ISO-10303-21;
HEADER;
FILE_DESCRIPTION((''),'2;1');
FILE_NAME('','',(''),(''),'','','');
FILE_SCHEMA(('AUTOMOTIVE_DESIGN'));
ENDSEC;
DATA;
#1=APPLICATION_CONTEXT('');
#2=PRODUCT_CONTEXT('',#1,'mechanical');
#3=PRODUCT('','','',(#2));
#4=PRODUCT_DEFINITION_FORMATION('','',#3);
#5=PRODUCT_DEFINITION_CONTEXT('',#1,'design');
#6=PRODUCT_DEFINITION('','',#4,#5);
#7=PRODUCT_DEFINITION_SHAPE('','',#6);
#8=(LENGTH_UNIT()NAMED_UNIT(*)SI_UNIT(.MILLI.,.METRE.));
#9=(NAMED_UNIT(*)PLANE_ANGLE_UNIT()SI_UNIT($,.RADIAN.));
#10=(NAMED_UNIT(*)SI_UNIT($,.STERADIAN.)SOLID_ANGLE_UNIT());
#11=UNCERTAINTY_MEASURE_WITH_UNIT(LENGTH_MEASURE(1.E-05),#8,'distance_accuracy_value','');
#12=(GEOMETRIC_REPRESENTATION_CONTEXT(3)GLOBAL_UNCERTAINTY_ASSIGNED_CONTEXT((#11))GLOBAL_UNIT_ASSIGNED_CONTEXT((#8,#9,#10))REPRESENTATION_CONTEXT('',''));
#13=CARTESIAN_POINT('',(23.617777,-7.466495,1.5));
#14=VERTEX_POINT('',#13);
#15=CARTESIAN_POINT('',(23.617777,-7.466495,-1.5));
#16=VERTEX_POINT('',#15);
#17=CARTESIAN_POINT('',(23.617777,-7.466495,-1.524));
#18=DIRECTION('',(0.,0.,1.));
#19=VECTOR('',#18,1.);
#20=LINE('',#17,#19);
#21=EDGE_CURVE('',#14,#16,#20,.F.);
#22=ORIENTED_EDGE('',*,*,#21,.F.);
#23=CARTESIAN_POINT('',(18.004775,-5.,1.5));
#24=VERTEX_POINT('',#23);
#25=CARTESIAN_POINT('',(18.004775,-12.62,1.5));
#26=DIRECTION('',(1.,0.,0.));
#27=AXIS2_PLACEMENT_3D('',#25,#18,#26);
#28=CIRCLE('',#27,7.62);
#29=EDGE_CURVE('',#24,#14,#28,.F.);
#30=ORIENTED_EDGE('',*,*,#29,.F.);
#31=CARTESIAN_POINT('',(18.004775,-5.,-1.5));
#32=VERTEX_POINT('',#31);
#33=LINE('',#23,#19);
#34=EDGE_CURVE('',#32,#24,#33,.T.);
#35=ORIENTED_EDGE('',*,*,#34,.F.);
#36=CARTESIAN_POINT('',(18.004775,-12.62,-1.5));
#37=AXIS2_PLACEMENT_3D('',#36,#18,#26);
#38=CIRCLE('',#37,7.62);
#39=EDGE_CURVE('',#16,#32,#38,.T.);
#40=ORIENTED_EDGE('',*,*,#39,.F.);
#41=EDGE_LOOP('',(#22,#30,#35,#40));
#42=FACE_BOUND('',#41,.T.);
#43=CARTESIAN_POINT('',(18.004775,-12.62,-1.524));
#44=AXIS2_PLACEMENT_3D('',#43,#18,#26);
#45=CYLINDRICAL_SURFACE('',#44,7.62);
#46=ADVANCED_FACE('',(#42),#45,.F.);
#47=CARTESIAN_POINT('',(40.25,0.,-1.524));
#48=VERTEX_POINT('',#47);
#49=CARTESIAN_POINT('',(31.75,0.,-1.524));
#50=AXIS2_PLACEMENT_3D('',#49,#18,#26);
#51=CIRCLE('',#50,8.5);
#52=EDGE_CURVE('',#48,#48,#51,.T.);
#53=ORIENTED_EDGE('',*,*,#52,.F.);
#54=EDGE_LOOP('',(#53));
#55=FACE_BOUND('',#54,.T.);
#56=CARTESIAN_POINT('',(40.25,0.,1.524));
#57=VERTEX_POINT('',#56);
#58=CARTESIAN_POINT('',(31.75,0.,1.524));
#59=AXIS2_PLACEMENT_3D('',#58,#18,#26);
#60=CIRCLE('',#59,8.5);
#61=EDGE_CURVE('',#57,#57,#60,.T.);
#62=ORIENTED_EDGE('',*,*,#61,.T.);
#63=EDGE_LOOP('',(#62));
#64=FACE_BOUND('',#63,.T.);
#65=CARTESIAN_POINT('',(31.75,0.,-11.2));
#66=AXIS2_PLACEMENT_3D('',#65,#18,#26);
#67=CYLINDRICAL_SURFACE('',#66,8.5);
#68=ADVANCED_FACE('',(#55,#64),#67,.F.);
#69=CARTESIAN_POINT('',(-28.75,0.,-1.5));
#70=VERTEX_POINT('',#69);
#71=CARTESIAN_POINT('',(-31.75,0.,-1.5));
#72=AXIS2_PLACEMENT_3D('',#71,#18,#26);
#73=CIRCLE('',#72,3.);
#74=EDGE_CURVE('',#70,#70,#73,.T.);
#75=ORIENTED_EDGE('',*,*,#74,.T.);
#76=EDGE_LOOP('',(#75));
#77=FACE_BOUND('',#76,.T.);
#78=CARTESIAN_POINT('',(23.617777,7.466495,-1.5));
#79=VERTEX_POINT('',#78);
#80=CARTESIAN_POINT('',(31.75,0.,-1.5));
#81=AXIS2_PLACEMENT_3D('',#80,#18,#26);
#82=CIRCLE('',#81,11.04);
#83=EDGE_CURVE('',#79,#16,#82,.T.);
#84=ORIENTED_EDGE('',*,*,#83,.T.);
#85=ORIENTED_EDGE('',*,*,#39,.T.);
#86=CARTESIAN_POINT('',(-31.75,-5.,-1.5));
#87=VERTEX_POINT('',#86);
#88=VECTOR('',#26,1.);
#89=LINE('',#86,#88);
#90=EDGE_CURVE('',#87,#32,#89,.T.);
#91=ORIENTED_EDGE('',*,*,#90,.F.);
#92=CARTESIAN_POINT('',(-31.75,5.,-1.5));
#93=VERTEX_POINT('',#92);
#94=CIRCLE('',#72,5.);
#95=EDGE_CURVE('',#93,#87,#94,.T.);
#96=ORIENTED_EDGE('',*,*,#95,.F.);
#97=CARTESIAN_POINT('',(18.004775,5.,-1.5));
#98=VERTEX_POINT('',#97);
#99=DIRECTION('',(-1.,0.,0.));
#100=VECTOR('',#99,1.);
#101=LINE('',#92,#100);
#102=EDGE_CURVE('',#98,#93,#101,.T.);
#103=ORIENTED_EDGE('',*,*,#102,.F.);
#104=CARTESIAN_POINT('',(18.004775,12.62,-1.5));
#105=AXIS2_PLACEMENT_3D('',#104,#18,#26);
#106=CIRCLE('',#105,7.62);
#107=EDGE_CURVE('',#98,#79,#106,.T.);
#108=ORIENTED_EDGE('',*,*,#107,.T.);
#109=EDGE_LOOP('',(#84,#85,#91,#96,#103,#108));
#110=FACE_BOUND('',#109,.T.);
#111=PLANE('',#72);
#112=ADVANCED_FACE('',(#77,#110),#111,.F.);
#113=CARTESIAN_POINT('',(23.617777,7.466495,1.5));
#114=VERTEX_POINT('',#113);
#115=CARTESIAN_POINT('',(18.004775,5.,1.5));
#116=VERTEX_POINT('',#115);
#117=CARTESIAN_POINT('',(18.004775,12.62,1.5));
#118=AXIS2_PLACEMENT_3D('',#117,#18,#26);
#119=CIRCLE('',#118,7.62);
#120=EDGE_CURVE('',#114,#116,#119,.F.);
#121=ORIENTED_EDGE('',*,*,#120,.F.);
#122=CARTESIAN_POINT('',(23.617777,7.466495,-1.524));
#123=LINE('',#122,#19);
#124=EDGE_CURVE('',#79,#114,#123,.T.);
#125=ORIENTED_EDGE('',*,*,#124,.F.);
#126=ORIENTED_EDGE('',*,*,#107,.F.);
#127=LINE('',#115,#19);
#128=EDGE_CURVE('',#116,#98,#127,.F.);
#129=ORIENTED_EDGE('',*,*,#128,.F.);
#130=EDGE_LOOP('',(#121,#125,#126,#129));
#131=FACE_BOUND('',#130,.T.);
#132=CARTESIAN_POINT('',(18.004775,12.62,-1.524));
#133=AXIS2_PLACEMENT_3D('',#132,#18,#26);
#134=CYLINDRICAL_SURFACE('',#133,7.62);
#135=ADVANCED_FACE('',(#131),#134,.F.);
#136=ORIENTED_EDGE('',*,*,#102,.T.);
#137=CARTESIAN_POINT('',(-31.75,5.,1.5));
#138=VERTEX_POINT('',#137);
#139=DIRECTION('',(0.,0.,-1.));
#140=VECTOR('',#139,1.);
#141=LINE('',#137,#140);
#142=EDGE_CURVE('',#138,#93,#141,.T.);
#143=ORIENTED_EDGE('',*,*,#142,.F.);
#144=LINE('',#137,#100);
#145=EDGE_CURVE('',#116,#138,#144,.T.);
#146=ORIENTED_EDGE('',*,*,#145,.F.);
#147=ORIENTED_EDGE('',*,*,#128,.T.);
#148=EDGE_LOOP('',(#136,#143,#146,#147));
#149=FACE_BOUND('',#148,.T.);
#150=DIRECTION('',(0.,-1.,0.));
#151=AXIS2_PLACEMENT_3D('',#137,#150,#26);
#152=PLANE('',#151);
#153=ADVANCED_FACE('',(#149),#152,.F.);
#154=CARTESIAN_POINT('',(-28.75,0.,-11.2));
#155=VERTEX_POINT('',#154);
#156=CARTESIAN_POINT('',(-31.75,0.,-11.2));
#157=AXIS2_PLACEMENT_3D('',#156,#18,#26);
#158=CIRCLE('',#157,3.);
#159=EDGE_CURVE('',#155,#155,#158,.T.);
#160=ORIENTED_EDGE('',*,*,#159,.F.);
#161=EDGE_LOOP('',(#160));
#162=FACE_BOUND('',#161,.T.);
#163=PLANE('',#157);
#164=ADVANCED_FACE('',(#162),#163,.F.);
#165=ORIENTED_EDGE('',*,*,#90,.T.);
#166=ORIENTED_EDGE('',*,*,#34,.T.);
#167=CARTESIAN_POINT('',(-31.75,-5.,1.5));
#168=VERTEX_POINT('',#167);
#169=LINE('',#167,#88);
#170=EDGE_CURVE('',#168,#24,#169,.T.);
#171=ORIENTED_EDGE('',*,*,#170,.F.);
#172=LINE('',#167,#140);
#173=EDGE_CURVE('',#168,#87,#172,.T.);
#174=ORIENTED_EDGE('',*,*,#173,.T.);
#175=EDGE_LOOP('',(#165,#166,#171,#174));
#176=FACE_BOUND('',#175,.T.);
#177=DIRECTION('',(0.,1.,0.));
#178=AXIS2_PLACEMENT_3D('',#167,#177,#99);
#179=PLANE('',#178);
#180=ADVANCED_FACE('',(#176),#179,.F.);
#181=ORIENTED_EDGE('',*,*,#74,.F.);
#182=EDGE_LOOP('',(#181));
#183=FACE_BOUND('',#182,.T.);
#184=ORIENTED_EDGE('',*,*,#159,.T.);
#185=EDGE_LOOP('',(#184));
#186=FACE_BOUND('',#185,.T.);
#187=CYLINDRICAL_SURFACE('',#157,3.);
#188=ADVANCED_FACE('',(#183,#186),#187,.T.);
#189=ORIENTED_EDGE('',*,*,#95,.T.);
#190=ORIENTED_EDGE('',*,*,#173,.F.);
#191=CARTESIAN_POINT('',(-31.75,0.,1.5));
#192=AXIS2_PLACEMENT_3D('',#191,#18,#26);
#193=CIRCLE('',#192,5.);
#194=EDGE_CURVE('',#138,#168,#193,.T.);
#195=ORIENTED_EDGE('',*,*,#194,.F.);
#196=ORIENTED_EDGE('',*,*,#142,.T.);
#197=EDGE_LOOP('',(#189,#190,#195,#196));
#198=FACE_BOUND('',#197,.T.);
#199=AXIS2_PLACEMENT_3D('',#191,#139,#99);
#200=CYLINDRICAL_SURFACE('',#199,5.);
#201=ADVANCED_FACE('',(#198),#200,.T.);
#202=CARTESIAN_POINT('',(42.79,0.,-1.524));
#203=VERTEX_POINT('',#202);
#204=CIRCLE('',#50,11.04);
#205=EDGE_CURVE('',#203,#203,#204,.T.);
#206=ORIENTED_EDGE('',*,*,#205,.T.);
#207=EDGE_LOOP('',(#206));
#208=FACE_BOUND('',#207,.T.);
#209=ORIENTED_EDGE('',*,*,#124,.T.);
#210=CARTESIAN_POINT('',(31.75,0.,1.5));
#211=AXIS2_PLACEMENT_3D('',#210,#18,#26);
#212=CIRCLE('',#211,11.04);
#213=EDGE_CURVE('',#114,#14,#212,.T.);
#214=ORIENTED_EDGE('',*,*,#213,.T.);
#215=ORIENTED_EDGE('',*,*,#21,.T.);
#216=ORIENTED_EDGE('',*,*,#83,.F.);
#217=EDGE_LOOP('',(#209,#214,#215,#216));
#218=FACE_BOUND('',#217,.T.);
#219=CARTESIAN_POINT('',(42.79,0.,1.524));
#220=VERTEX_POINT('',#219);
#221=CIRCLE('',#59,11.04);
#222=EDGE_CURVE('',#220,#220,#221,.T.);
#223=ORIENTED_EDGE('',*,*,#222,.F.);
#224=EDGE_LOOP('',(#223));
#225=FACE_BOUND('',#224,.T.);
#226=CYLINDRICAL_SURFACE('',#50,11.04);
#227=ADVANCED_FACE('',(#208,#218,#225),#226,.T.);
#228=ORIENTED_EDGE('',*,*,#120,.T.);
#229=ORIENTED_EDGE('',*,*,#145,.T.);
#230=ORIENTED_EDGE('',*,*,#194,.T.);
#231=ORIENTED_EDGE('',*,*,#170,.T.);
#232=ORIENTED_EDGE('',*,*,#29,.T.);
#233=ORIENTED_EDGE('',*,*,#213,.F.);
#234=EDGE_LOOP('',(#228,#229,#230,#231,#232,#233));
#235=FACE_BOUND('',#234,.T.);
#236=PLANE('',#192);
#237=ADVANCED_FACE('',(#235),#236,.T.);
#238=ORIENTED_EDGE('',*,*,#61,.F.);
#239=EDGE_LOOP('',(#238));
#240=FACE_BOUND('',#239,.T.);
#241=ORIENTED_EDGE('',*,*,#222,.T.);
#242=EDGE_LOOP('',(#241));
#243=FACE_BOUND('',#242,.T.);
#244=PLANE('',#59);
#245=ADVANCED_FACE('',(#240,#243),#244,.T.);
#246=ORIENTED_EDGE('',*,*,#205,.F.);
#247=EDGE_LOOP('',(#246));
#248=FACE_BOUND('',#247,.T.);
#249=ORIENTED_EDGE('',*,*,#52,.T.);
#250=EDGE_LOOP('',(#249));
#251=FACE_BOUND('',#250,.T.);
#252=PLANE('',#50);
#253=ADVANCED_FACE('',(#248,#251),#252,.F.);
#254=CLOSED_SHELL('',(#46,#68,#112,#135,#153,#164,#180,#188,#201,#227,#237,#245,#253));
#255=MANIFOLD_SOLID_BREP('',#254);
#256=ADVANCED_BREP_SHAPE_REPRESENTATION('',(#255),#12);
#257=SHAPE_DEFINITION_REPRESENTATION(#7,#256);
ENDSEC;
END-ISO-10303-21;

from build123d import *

# Parameters (mm, degrees)
SKETCH1_R           = 3
BOSS_EXTRUDE1_DEPTH = 1.5
SKETCH2_R           = 3
BOSS_EXTRUDE2_DEPTH = 12.7
SKETCH3_R           = 11.04
BOSS_EXTRUDE3_DEPTH = 1.524
FILLET1_R           = 7.62
SKETCH4_R           = 8.5
CUT_EXTRUDE1_DEPTH  = 13.724


with BuildPart() as part:
    # Sketch1 → Boss-Extrude1 (new body, symmetric)
    with BuildSketch(Plane.XY):
        with BuildLine():
            Line((-31.75, 5), (31.75, 5))
            ThreePointArc((31.75, 5), (36.75, 0), (31.75, -5))
            Line((31.75, -5), (-31.75, -5))
            ThreePointArc((-31.75, -5), (-36.75, 0), (-31.75, 5))
        make_face()
        with Locations((-31.75, 0)):
            Circle(SKETCH1_R, mode=Mode.SUBTRACT)
        with Locations((31.75, 0)):
            Circle(SKETCH1_R, mode=Mode.SUBTRACT)
    extrude(amount=BOSS_EXTRUDE1_DEPTH, both=True)

    # Sketch2 → Boss-Extrude2 (add)
    with BuildSketch(Plane.XY.offset(1.5)):
        with Locations((-31.75, 0)):
            Circle(SKETCH2_R)
    extrude(amount=-BOSS_EXTRUDE2_DEPTH)

    # Sketch3 → Boss-Extrude3 (add, symmetric)
    with BuildSketch(Plane.XY):
        with Locations((31.75, 0)):
            Circle(SKETCH3_R)
    extrude(amount=BOSS_EXTRUDE3_DEPTH, both=True)

    # Fillet1
    fillet1_edges = [part.edges().sort_by_distance(p)[0] for p in [
        (21.907154883, 5, 0),
        (21.907154883, -5, 0),
    ]]
    fillet(fillet1_edges, radius=FILLET1_R)

    # Sketch4 → Cut-Extrude1 (cut, through all)
    with BuildSketch(Plane.XY.offset(1.524)):
        with Locations((31.75, 0)):
            Circle(SKETCH4_R)
    extrude(amount=-CUT_EXTRUDE1_DEPTH, mode=Mode.SUBTRACT)


solid = part.part
